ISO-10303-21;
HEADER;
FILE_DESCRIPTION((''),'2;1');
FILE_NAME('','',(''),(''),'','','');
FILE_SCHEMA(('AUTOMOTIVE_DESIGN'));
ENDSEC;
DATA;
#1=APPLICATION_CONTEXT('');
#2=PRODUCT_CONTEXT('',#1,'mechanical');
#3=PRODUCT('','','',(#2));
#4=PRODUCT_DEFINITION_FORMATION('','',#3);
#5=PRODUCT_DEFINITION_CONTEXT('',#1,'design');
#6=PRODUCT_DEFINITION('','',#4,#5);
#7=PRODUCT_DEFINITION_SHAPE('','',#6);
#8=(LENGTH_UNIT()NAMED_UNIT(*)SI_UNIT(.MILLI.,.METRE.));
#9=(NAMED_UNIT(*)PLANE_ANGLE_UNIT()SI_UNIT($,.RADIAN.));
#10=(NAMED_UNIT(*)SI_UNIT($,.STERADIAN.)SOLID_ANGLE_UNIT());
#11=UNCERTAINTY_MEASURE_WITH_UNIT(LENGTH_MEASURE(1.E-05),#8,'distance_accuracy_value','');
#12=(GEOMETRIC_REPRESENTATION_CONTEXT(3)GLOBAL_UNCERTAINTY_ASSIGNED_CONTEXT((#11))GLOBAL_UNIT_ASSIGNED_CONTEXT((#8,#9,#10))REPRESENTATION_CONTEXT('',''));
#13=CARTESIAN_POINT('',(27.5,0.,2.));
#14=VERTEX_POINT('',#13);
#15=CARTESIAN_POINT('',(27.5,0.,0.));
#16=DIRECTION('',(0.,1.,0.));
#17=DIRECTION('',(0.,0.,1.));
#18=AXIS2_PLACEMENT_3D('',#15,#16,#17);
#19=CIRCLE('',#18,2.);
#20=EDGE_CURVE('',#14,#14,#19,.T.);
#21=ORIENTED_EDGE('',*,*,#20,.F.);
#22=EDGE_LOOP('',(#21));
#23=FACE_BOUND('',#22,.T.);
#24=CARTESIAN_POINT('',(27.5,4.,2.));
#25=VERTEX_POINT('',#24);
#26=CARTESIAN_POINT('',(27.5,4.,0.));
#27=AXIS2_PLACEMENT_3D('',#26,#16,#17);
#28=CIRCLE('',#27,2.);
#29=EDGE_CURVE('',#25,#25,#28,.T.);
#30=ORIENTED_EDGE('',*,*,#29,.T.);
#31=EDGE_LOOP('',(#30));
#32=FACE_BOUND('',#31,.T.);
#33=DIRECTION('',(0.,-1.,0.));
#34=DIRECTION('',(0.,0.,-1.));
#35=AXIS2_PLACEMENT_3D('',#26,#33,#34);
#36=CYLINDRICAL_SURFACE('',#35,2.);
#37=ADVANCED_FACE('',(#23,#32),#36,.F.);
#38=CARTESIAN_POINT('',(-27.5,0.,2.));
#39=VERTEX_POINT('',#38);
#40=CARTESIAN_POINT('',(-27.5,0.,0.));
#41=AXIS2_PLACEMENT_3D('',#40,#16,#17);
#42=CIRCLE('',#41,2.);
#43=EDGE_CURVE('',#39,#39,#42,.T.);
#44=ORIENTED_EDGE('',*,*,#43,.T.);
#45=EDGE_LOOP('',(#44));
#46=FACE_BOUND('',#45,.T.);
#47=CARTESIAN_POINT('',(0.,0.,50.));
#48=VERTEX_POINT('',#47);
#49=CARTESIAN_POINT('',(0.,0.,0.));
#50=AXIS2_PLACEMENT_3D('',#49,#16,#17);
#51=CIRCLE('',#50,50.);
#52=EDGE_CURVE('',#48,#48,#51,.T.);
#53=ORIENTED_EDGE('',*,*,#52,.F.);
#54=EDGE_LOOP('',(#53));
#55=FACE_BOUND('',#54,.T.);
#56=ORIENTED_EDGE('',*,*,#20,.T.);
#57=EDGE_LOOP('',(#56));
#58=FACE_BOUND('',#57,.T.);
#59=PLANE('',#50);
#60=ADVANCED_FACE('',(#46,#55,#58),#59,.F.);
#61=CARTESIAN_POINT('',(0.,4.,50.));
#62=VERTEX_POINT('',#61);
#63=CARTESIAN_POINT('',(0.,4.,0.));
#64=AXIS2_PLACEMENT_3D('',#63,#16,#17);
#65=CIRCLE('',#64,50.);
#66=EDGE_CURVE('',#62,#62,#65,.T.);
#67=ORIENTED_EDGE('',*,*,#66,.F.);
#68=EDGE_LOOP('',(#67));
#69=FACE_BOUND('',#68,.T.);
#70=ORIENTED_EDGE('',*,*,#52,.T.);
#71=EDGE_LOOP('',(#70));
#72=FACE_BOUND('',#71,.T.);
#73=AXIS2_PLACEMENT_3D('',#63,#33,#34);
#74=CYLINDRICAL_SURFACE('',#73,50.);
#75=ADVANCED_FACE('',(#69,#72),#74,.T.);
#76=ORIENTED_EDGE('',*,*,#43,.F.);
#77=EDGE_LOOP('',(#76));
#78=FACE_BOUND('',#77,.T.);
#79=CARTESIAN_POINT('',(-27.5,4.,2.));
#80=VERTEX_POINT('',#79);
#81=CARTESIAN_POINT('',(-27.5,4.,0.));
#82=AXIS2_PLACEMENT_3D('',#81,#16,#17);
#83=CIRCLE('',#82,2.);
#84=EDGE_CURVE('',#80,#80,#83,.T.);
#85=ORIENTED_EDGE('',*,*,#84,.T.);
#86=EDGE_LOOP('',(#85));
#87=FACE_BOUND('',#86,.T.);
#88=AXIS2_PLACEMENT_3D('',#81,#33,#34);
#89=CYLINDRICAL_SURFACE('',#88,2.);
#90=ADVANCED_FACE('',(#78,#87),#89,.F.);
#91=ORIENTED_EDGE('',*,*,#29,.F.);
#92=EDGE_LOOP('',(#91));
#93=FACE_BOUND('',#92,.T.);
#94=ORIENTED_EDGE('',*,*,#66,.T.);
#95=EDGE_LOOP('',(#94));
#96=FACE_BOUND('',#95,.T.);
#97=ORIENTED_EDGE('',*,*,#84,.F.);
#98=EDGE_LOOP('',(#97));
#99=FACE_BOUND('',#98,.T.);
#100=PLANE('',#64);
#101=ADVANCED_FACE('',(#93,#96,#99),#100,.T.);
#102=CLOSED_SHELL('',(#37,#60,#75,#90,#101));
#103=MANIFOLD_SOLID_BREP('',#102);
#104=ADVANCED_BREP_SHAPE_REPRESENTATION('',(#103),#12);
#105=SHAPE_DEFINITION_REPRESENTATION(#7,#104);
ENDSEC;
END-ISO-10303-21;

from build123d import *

# Parameters (mm, degrees)
SKETCH1_R           = 50
SKETCH1_R_2         = 2
BOSS_EXTRUDE1_DEPTH = 4


with BuildPart() as part:
    # Sketch1 → Boss-Extrude1 (new body)
    with BuildSketch(Plane(origin=(0, 0, 0), x_dir=(1, 0, 0), z_dir=(0, 1, 0))):
        with Locations(Location((0, 0, 0), (0, 0, 270))):
            Circle(SKETCH1_R)
        with Locations(Location((-27.5, 0, 0), (0, 0, 270))):
            Circle(SKETCH1_R_2, mode=Mode.SUBTRACT)
        with Locations(Location((27.5, 0, 0), (0, 0, 270))):
            Circle(SKETCH1_R_2, mode=Mode.SUBTRACT)
    extrude(amount=BOSS_EXTRUDE1_DEPTH)


solid = part.part
